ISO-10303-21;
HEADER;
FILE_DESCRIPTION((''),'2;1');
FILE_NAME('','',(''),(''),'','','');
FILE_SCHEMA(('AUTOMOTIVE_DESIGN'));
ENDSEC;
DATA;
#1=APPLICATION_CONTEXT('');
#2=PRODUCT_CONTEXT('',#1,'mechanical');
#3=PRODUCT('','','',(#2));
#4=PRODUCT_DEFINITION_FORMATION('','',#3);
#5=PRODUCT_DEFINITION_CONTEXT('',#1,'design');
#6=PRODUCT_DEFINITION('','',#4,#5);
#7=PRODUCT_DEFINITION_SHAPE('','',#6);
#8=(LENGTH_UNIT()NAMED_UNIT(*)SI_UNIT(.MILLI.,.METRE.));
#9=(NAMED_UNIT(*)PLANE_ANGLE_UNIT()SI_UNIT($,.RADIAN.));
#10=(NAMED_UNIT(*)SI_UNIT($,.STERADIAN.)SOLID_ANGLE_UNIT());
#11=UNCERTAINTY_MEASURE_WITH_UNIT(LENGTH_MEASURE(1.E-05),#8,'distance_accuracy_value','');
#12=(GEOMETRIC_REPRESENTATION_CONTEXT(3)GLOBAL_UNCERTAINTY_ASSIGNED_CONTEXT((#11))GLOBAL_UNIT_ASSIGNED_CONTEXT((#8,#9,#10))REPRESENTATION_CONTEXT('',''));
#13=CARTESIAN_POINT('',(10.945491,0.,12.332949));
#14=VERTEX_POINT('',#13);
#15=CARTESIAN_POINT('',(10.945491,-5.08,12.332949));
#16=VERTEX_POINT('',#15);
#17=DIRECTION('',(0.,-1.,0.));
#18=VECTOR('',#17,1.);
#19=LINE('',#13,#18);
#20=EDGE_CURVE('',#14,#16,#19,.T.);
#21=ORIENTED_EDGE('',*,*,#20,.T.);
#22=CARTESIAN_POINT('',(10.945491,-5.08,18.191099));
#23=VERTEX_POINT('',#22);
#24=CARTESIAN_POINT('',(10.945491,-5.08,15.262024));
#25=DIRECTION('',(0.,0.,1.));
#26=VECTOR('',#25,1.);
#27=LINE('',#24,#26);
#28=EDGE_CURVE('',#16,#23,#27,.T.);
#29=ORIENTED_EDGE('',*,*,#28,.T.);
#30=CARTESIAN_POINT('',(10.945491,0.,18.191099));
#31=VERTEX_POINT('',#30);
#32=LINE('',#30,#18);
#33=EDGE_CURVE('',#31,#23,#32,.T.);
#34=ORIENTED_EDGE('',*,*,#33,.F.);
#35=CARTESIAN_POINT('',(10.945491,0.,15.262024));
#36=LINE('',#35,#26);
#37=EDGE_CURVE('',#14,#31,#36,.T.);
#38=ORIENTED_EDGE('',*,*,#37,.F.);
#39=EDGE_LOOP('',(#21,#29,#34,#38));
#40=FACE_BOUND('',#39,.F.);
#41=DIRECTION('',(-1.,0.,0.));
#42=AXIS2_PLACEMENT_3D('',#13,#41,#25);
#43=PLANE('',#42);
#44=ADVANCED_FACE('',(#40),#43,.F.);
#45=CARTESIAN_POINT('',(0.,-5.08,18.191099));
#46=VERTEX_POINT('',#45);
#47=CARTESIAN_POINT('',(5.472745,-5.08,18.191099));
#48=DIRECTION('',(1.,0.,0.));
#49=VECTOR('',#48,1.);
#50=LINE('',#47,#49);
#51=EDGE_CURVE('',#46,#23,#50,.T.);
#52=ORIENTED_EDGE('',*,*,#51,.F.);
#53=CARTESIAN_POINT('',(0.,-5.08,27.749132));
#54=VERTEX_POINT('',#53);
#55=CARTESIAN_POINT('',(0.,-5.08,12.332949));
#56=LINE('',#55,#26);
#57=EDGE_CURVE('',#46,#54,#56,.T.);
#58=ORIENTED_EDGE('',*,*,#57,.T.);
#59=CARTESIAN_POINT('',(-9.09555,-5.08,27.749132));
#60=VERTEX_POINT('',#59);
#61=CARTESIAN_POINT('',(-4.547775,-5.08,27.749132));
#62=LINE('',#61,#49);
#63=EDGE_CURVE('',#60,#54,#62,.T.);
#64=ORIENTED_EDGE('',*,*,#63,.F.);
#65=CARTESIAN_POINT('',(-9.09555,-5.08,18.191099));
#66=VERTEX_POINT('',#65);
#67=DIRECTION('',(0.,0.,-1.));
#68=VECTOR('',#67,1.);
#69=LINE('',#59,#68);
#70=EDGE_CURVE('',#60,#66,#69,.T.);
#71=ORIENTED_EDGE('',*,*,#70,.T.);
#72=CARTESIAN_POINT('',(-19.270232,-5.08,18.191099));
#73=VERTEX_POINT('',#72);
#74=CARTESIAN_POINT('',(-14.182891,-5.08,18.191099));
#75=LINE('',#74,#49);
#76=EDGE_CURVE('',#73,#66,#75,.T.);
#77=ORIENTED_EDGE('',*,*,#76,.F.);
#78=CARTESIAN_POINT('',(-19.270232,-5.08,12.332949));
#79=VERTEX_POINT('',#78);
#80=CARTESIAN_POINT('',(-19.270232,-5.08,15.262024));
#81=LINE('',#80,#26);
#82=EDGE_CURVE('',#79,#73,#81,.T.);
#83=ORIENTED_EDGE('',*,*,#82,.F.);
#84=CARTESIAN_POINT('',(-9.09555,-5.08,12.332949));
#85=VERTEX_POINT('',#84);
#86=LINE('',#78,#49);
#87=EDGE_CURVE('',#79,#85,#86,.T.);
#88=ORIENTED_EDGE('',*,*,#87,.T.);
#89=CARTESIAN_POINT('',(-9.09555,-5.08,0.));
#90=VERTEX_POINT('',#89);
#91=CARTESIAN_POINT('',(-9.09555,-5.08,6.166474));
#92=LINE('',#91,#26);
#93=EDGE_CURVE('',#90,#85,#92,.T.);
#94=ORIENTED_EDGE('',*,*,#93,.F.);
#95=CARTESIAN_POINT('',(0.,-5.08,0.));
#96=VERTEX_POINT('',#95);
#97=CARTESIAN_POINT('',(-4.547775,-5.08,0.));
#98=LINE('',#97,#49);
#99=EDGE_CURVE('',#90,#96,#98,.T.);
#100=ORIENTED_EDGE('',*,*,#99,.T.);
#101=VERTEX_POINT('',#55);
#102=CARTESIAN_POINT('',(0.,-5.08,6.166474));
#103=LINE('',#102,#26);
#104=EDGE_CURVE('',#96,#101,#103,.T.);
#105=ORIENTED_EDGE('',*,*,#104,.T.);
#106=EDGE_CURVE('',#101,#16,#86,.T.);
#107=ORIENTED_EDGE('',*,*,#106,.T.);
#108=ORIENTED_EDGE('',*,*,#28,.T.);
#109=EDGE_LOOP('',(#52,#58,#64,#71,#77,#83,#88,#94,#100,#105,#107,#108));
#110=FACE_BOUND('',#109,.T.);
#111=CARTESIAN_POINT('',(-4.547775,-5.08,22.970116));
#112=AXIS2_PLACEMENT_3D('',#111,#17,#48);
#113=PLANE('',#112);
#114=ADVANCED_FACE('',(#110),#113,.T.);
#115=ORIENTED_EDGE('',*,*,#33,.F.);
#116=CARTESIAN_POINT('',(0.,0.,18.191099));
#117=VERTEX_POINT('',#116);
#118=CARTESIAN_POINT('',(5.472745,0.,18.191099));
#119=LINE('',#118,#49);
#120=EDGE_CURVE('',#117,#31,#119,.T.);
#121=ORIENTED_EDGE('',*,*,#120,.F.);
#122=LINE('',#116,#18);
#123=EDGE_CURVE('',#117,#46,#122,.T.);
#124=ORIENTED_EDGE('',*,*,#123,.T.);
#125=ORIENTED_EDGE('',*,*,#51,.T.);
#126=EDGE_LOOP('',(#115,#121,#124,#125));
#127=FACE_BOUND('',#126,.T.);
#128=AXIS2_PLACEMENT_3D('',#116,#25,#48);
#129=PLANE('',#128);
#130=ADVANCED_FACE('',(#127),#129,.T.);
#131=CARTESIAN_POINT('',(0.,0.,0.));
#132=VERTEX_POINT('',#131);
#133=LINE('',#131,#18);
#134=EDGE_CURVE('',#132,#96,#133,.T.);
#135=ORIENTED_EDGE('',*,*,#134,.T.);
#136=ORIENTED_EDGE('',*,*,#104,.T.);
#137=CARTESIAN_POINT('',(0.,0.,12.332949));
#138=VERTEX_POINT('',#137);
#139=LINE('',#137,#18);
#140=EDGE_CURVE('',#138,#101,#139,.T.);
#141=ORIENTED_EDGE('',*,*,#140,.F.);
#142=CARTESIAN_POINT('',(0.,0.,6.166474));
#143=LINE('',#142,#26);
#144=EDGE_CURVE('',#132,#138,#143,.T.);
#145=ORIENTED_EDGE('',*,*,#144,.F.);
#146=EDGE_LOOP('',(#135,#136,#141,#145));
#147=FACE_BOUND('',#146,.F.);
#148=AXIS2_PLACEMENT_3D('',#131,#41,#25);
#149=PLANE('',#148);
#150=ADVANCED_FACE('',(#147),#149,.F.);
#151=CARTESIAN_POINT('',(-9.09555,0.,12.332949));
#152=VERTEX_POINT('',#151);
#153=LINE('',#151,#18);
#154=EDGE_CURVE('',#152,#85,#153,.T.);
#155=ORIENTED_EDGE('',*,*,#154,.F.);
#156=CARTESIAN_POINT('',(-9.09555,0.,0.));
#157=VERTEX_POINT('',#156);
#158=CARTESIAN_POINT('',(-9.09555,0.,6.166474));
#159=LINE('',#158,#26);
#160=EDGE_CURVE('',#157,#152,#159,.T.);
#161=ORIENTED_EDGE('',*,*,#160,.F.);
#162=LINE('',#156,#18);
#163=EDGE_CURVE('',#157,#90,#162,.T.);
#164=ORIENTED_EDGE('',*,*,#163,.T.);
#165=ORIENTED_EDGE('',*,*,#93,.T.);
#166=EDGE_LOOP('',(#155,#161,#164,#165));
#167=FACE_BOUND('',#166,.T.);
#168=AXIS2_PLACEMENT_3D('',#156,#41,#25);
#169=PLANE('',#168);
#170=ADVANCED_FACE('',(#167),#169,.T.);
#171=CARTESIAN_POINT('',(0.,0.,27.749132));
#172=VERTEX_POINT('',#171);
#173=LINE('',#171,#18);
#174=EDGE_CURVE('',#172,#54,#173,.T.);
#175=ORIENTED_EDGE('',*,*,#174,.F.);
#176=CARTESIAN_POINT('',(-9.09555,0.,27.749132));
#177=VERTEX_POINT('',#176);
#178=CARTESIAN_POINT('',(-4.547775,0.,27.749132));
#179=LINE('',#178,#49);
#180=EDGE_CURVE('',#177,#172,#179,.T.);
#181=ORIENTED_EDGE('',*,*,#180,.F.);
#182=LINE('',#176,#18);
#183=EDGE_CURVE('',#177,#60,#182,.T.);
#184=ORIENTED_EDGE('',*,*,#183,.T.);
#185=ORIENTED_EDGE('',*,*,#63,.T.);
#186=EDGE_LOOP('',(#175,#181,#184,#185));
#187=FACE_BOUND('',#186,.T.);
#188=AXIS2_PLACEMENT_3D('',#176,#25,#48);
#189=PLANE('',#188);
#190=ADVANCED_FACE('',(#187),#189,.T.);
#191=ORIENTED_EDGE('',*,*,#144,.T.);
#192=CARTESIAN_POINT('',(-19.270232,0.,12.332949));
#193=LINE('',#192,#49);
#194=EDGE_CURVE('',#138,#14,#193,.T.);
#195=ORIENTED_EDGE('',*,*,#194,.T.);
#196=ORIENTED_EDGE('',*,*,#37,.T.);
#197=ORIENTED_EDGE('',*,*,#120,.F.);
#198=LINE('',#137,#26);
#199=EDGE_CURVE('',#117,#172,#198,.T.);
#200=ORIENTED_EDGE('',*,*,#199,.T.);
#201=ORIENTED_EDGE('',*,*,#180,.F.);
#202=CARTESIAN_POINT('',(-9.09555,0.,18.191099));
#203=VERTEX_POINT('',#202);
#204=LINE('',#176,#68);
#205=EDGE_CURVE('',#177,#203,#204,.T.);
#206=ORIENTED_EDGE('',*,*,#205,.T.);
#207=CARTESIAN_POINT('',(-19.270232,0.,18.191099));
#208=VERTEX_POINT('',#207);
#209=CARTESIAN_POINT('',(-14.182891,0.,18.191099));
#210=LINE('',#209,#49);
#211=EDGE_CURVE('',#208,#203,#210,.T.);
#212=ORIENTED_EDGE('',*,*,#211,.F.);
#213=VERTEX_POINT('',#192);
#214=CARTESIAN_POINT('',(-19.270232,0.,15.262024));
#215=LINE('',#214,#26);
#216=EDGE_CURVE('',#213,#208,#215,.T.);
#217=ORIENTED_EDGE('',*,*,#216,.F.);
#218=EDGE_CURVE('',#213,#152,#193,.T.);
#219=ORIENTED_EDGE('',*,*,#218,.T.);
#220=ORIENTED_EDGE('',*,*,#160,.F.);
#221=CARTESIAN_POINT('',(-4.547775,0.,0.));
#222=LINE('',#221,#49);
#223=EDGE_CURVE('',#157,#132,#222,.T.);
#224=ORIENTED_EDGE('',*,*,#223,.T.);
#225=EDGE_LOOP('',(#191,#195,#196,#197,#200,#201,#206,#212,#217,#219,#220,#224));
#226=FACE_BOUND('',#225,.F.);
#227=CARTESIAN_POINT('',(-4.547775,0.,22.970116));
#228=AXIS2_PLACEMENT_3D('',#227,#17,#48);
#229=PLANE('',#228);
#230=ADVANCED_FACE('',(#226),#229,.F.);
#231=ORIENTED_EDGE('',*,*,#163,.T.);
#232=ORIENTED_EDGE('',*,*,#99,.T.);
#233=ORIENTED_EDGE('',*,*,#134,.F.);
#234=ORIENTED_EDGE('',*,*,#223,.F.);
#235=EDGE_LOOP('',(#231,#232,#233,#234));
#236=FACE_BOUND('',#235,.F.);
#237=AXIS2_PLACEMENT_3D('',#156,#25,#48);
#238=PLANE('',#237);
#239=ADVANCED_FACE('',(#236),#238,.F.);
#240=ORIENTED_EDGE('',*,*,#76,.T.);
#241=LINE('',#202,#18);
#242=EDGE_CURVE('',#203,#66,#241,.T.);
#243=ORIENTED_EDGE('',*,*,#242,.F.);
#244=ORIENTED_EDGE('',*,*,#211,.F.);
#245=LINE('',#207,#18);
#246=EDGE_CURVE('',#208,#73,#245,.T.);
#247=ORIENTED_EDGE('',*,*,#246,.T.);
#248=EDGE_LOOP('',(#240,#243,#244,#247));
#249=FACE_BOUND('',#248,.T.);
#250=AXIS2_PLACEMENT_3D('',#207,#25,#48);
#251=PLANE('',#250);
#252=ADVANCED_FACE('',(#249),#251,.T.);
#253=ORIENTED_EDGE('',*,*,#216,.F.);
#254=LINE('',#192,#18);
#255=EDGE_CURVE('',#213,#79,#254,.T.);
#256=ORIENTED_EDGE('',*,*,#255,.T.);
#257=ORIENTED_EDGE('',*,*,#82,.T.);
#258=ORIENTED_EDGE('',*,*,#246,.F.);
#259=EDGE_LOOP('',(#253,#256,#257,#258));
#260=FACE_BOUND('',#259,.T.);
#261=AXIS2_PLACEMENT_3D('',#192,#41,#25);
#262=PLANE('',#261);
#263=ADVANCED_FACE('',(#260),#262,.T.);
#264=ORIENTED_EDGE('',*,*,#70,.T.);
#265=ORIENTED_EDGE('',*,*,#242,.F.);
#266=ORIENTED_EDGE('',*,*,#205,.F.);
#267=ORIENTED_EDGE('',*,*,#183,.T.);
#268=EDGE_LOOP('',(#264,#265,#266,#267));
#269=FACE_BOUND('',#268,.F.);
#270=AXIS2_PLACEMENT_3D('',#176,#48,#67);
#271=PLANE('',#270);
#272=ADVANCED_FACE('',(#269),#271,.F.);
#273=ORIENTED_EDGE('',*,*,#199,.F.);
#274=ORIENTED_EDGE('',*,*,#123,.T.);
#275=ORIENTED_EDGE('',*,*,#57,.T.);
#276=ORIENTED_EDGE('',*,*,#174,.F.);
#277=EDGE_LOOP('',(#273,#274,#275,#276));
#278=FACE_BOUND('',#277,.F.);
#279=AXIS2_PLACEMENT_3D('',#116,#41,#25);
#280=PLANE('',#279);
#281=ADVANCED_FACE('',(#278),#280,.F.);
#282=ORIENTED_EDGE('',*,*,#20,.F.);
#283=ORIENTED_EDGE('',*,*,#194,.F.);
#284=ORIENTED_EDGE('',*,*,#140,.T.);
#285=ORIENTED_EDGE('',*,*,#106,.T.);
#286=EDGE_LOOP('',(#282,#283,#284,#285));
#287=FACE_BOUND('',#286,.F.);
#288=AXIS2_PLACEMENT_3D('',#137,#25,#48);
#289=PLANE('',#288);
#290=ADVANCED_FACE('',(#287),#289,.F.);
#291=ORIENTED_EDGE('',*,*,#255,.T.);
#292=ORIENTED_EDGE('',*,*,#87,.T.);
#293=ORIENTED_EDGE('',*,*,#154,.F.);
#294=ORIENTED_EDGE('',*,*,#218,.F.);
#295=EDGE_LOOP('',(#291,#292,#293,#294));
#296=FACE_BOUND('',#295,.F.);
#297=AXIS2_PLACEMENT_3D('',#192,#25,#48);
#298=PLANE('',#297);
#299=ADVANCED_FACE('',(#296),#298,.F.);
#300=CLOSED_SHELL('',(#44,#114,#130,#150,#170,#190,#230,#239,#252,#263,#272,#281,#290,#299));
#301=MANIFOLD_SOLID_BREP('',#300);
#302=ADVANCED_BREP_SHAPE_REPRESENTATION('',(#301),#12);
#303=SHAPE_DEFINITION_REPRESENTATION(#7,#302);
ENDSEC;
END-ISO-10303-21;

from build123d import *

# Parameters (mm, degrees)
F0_W     = 9.0955495834
F0_H     = 9.5580331981
F0_H_2   = 5.8581503108
F0_W_2   = 10.1746823639
F0_W_3   = 10.9454905614
F0_H_3   = 12.3329488561
F1_DEPTH = 5.08


with BuildPart() as f1:
    # F0 (on Front) → F1 (new body)
    with BuildSketch(Plane.XZ):
        with Locations((-4.5477747917, 22.9701157659)):
            Rectangle(F0_W, F0_H)
        with Locations((-4.5477747917, 15.2620240115)):
            Rectangle(F0_W, F0_H_2)
        with Locations((-14.1828907654, 15.2620240115)):
            Rectangle(F0_W_2, F0_H_2)
        with Locations((5.4727452807, 15.2620240115)):
            Rectangle(F0_W_3, F0_H_2)
        with Locations((-4.5477747917, 6.166474428)):
            Rectangle(F0_W, F0_H_3)
    extrude(amount=F1_DEPTH)


solid = f1.part
